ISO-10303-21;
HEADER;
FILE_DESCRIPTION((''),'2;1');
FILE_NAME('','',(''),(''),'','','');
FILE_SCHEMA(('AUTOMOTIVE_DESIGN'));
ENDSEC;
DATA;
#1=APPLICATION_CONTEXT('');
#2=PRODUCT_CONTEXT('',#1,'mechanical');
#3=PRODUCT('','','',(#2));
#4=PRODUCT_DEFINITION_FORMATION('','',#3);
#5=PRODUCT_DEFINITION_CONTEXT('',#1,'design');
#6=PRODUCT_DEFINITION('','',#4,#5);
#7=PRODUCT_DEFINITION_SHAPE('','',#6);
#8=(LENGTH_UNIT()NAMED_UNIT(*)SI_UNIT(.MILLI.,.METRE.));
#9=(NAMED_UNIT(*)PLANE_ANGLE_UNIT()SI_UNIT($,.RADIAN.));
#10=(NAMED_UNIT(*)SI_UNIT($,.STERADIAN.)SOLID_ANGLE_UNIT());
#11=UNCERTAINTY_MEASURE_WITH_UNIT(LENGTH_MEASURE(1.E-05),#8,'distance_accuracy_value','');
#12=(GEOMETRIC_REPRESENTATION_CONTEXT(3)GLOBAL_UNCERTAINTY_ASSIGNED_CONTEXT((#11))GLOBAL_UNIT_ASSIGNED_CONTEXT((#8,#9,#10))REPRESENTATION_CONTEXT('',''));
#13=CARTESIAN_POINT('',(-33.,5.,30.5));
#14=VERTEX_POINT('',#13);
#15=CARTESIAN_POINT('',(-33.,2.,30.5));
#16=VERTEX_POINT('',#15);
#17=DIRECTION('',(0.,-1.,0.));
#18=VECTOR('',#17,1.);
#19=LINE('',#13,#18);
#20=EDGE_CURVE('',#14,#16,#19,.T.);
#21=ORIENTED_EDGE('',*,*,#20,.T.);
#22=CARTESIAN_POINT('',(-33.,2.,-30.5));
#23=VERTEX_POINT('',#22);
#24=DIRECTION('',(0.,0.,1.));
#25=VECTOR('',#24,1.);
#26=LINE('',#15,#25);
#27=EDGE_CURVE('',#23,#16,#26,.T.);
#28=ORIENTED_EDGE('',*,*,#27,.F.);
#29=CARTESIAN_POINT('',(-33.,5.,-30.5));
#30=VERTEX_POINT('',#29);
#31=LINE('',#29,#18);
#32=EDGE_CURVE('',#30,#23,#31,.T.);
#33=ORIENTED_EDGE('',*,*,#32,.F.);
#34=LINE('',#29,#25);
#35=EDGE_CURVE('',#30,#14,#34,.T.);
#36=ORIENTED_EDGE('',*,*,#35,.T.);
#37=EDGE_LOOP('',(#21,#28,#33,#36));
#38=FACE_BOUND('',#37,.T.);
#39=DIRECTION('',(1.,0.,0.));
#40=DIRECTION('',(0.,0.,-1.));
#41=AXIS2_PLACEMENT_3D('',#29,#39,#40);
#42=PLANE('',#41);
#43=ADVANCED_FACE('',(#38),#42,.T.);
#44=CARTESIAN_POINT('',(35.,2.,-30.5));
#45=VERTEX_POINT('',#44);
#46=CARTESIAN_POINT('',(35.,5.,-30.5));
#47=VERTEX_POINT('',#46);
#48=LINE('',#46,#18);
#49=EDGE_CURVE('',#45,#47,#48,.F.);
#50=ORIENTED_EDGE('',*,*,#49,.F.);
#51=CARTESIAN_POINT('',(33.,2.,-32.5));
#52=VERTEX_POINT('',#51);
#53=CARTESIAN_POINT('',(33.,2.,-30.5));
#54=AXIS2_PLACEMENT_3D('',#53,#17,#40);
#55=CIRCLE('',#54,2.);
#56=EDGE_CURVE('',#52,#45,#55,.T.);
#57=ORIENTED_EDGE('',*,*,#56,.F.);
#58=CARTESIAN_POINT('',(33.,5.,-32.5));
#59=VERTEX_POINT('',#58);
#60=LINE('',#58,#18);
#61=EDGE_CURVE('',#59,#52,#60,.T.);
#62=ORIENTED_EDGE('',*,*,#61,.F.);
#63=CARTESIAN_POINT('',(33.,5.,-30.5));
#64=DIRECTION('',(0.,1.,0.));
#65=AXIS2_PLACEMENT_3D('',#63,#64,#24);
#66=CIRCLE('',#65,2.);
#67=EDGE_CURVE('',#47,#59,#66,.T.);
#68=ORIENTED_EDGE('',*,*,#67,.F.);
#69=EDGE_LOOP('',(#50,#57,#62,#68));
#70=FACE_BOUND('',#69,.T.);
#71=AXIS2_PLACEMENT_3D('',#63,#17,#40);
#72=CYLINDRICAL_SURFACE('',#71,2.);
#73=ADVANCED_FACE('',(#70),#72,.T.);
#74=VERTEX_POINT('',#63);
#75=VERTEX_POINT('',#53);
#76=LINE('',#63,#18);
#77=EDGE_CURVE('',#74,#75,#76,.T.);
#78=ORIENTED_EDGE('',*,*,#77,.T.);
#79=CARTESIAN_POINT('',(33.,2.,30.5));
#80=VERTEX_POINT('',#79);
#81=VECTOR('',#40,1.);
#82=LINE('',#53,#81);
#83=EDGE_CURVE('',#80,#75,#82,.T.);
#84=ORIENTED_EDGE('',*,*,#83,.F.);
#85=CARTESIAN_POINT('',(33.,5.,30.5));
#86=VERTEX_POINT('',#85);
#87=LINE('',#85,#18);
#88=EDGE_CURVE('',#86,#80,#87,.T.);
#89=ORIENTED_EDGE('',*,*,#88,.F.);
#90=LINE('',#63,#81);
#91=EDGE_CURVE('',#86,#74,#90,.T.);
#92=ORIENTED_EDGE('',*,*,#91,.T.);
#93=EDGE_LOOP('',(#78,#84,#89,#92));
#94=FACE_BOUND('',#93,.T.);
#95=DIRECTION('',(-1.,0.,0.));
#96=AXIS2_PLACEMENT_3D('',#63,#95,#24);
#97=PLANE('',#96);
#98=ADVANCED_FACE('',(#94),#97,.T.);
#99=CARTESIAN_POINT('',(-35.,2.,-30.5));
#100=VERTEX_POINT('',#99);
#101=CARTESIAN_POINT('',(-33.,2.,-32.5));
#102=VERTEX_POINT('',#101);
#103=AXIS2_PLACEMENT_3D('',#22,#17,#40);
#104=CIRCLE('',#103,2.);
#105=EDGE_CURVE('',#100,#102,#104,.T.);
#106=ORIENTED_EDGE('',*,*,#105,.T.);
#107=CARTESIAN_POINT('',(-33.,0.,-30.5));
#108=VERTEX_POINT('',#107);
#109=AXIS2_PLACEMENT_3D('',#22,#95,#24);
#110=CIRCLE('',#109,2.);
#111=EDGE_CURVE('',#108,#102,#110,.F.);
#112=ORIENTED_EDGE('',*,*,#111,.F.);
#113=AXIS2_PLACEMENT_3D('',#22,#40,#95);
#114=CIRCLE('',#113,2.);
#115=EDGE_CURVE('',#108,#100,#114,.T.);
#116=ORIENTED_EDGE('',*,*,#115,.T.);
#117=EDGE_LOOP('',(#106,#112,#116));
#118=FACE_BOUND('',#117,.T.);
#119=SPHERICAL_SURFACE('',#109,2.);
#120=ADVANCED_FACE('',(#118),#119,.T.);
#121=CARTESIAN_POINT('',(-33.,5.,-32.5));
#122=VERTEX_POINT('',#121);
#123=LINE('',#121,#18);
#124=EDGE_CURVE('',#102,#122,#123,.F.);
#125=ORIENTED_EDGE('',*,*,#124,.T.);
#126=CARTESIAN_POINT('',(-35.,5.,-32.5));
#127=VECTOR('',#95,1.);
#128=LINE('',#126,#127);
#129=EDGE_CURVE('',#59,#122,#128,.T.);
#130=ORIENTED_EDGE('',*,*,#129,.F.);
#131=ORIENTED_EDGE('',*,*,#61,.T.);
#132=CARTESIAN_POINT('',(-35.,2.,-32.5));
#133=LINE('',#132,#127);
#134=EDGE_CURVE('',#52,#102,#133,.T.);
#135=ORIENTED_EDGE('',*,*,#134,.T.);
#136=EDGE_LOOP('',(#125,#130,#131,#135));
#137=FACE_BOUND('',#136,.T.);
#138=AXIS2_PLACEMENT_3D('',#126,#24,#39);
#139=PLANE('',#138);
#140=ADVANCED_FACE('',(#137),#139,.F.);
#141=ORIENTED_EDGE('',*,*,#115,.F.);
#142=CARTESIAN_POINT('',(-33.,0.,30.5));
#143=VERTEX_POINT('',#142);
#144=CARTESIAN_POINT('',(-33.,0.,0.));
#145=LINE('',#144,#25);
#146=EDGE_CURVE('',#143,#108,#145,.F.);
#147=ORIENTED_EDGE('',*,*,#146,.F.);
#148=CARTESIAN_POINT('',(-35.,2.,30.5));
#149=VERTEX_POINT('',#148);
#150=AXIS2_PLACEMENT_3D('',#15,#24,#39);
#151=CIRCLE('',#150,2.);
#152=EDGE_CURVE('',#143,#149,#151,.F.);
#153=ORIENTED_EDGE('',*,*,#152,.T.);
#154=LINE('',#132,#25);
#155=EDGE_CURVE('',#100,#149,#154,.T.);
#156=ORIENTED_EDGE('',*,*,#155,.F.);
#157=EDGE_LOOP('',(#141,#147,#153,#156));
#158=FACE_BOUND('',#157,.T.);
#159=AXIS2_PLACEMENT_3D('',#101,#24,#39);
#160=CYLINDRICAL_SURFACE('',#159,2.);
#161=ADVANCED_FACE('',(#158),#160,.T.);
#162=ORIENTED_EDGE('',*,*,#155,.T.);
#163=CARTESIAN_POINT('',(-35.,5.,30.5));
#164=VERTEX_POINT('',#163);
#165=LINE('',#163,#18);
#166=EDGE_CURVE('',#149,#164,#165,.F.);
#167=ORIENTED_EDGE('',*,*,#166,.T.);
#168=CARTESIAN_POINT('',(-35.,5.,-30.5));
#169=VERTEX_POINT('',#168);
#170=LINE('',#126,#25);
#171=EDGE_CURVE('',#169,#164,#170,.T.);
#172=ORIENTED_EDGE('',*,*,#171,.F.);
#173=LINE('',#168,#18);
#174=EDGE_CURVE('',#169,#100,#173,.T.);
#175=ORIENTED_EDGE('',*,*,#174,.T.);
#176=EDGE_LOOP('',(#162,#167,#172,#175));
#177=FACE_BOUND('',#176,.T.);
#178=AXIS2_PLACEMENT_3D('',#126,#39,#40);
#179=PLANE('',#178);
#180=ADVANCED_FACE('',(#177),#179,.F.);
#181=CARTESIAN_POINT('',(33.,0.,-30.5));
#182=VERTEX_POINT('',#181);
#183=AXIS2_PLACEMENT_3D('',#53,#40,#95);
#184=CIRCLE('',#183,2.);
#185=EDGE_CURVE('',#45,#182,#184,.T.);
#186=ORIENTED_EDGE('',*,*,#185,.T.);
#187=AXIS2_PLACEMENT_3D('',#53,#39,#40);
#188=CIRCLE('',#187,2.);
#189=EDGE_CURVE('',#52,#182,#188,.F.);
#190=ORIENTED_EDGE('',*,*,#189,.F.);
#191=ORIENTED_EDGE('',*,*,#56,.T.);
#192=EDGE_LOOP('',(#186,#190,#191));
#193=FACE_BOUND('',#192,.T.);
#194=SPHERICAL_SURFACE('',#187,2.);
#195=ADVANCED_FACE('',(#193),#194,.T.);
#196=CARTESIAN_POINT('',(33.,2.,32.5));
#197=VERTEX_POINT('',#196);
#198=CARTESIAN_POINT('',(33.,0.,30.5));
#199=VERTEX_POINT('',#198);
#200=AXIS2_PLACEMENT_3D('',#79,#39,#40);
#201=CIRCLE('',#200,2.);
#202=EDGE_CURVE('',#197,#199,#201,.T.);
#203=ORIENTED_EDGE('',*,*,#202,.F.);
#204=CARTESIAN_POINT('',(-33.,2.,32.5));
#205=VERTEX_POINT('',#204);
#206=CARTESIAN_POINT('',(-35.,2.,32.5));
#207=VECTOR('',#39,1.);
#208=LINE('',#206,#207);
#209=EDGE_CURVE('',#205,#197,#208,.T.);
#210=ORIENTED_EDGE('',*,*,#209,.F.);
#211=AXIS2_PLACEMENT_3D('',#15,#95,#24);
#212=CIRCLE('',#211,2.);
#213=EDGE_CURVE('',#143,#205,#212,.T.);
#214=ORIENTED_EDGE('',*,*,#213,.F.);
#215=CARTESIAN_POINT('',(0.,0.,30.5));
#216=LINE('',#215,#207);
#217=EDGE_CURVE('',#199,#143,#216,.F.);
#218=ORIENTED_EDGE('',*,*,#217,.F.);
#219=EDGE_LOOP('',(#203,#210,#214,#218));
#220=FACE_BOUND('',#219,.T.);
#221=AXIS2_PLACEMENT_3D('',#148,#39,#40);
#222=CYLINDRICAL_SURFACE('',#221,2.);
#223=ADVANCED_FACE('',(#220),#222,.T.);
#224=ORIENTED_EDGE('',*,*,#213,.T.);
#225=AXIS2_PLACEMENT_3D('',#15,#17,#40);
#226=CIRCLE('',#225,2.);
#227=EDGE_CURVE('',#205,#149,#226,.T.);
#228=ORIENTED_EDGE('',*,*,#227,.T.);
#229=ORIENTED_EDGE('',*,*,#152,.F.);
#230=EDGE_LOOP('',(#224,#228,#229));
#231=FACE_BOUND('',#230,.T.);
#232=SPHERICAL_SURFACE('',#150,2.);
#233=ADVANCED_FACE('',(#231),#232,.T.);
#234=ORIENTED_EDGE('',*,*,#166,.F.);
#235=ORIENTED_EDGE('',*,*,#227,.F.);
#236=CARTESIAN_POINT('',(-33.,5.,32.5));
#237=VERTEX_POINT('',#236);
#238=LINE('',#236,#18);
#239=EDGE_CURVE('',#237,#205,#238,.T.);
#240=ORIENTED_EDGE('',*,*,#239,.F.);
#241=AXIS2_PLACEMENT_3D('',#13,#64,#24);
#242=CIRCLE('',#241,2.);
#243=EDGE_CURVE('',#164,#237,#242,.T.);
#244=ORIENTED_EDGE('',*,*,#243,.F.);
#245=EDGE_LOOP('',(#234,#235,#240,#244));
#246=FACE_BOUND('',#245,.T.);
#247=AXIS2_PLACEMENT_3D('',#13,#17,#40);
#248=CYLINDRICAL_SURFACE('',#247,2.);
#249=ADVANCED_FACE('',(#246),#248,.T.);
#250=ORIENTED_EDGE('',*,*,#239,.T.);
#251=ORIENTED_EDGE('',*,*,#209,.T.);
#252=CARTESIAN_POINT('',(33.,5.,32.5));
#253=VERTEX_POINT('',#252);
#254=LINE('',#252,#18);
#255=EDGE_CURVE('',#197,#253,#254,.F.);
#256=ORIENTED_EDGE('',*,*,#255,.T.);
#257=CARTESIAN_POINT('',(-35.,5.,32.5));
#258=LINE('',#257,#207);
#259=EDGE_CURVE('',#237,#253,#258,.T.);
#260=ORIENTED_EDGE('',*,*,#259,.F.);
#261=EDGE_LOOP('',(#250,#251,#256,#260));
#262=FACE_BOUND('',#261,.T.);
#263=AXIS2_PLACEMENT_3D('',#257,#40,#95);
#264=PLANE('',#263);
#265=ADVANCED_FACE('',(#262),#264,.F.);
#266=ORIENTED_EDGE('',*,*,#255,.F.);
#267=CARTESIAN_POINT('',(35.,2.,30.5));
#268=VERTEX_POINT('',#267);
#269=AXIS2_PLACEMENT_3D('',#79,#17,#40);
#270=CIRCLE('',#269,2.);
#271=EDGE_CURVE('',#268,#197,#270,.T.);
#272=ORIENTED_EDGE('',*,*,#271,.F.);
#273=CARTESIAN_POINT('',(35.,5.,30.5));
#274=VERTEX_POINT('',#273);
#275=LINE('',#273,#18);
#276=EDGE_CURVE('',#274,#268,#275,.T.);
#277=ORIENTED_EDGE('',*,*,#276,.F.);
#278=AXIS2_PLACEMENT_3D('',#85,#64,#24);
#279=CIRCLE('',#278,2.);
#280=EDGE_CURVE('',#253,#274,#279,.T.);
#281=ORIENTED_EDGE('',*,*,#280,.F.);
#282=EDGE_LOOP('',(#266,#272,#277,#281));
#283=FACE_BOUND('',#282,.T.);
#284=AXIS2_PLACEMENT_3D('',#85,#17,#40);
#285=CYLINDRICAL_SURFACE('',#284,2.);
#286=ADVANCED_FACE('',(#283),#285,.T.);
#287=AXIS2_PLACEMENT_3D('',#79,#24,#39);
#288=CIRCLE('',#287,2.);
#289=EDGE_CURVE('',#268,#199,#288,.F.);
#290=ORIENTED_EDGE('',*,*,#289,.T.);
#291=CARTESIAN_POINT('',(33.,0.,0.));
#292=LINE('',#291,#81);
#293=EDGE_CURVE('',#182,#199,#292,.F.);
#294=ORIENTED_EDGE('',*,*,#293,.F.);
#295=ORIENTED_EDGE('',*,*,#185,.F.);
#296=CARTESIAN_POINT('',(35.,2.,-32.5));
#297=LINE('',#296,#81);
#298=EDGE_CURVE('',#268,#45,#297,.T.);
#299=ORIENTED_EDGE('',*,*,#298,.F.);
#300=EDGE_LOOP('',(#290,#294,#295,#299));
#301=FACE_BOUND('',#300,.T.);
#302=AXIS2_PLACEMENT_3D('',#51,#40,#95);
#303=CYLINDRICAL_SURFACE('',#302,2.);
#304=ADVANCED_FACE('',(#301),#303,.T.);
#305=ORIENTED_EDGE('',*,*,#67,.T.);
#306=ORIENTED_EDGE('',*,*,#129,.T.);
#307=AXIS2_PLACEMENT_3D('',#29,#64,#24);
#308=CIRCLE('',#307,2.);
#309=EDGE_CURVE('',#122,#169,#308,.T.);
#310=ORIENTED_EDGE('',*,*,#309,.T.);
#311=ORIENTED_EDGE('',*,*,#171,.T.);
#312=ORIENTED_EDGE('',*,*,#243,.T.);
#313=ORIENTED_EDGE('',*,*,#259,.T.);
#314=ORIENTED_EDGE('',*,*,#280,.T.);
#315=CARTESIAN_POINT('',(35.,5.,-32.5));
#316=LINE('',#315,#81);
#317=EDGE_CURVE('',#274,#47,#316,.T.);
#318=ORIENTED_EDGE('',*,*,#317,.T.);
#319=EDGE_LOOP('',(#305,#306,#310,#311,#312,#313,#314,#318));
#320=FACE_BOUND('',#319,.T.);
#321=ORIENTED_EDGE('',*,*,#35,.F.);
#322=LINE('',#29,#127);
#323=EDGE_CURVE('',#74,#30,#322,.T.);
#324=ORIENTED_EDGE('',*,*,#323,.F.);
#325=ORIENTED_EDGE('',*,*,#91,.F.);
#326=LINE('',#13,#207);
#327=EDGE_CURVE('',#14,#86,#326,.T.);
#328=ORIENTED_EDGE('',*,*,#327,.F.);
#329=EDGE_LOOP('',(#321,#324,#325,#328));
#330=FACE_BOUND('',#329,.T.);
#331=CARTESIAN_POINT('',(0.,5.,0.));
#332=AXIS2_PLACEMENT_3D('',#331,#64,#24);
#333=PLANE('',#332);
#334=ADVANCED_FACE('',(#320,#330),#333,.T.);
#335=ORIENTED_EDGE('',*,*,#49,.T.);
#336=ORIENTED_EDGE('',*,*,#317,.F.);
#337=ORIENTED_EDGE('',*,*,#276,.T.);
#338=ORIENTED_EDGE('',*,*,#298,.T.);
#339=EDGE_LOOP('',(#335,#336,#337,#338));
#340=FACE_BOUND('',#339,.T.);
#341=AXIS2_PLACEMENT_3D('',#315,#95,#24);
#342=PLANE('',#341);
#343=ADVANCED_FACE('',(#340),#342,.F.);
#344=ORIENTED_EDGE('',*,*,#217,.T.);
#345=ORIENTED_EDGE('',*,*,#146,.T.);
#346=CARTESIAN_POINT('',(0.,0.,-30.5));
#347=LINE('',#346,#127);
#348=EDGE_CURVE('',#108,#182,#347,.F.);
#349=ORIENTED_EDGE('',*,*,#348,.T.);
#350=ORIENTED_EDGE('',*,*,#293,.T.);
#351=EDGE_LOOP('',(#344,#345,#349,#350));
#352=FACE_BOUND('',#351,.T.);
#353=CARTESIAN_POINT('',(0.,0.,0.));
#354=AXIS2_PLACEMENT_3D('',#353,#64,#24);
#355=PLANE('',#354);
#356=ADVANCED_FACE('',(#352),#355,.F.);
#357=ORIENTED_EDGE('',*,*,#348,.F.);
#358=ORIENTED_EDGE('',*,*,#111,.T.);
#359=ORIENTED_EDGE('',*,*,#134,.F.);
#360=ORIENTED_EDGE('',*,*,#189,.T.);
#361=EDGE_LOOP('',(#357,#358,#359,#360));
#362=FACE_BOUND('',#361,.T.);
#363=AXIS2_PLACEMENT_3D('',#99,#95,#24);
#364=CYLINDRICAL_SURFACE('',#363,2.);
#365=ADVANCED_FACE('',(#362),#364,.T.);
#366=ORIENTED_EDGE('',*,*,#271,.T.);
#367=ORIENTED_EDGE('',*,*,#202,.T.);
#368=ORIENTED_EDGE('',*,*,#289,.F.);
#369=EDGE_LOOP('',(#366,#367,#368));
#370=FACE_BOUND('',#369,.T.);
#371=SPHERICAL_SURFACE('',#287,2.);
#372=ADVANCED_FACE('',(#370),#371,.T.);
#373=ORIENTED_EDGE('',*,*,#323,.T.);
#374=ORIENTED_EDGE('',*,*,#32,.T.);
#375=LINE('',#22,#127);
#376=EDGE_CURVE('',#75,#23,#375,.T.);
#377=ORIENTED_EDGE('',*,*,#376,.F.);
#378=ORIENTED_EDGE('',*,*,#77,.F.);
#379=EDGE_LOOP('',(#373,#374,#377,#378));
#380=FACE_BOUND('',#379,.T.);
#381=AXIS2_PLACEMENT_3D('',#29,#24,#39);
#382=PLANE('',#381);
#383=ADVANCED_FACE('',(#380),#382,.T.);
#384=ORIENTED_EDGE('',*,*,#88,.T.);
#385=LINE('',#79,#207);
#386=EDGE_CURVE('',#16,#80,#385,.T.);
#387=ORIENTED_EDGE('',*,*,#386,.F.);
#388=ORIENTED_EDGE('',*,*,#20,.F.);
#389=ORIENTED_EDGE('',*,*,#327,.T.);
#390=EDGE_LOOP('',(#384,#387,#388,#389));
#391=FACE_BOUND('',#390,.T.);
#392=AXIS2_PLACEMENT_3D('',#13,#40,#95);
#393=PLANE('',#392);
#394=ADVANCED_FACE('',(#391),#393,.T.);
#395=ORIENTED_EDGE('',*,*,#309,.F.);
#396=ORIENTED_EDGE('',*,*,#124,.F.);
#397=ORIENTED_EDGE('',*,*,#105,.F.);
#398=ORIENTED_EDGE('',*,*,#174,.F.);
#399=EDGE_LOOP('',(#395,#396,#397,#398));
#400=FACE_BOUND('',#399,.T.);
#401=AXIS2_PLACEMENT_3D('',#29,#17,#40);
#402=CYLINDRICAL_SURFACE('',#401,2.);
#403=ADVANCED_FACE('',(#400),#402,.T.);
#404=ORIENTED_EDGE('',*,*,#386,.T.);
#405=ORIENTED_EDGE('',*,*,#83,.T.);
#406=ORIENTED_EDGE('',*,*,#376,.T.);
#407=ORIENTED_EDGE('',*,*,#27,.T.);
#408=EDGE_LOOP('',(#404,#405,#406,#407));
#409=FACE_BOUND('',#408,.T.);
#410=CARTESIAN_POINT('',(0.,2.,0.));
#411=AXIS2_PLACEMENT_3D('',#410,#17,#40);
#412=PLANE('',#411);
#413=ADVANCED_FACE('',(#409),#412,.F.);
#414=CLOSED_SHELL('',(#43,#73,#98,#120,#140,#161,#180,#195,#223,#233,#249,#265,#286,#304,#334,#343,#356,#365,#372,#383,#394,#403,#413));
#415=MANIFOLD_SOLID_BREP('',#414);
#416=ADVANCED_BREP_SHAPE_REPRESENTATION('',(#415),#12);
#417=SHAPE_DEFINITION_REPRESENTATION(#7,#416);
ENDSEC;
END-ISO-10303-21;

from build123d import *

# Parameters (mm, degrees)
SKETCH1_W           = 70
SKETCH1_H           = 65
SKETCH1_W_2         = 66
SKETCH1_H_2         = 61
BOSS_EXTRUDE1_DEPTH = 5
SKETCH2_W           = 66
SKETCH2_H           = 61
BOSS_EXTRUDE2_DEPTH = 2
FILLET2_R           = 2


with BuildPart() as part:
    # Sketch1 → Boss-Extrude1 (new body)
    with BuildSketch(Plane(origin=(0, 0, 0), x_dir=(1, 0, 0), z_dir=(0, 1, 0))):
        Rectangle(SKETCH1_W, SKETCH1_H)
        Rectangle(SKETCH1_W_2, SKETCH1_H_2, mode=Mode.SUBTRACT)
    extrude(amount=BOSS_EXTRUDE1_DEPTH)

    # Sketch2 → Boss-Extrude2 (add)
    with BuildSketch(Plane(origin=(0, 0, 0), x_dir=(1, 0, 0), z_dir=(0, 1, 0))):
        Rectangle(SKETCH2_W, SKETCH2_H)
    extrude(amount=BOSS_EXTRUDE2_DEPTH)

    # Fillet2
    fillet2_edges = [part.edges().sort_by_distance(p)[0] for p in [
        (0, 0, 32.5),
        (-35, 0, 0),
        (0, 0, -32.5),
        (35, 0, 0),
        (35, 2.5, 32.5),
        (-35, 2.5, 32.5),
        (-35, 2.5, -32.5),
        (35, 2.5, -32.5),
    ]]
    fillet(fillet2_edges, radius=FILLET2_R)


solid = part.part
